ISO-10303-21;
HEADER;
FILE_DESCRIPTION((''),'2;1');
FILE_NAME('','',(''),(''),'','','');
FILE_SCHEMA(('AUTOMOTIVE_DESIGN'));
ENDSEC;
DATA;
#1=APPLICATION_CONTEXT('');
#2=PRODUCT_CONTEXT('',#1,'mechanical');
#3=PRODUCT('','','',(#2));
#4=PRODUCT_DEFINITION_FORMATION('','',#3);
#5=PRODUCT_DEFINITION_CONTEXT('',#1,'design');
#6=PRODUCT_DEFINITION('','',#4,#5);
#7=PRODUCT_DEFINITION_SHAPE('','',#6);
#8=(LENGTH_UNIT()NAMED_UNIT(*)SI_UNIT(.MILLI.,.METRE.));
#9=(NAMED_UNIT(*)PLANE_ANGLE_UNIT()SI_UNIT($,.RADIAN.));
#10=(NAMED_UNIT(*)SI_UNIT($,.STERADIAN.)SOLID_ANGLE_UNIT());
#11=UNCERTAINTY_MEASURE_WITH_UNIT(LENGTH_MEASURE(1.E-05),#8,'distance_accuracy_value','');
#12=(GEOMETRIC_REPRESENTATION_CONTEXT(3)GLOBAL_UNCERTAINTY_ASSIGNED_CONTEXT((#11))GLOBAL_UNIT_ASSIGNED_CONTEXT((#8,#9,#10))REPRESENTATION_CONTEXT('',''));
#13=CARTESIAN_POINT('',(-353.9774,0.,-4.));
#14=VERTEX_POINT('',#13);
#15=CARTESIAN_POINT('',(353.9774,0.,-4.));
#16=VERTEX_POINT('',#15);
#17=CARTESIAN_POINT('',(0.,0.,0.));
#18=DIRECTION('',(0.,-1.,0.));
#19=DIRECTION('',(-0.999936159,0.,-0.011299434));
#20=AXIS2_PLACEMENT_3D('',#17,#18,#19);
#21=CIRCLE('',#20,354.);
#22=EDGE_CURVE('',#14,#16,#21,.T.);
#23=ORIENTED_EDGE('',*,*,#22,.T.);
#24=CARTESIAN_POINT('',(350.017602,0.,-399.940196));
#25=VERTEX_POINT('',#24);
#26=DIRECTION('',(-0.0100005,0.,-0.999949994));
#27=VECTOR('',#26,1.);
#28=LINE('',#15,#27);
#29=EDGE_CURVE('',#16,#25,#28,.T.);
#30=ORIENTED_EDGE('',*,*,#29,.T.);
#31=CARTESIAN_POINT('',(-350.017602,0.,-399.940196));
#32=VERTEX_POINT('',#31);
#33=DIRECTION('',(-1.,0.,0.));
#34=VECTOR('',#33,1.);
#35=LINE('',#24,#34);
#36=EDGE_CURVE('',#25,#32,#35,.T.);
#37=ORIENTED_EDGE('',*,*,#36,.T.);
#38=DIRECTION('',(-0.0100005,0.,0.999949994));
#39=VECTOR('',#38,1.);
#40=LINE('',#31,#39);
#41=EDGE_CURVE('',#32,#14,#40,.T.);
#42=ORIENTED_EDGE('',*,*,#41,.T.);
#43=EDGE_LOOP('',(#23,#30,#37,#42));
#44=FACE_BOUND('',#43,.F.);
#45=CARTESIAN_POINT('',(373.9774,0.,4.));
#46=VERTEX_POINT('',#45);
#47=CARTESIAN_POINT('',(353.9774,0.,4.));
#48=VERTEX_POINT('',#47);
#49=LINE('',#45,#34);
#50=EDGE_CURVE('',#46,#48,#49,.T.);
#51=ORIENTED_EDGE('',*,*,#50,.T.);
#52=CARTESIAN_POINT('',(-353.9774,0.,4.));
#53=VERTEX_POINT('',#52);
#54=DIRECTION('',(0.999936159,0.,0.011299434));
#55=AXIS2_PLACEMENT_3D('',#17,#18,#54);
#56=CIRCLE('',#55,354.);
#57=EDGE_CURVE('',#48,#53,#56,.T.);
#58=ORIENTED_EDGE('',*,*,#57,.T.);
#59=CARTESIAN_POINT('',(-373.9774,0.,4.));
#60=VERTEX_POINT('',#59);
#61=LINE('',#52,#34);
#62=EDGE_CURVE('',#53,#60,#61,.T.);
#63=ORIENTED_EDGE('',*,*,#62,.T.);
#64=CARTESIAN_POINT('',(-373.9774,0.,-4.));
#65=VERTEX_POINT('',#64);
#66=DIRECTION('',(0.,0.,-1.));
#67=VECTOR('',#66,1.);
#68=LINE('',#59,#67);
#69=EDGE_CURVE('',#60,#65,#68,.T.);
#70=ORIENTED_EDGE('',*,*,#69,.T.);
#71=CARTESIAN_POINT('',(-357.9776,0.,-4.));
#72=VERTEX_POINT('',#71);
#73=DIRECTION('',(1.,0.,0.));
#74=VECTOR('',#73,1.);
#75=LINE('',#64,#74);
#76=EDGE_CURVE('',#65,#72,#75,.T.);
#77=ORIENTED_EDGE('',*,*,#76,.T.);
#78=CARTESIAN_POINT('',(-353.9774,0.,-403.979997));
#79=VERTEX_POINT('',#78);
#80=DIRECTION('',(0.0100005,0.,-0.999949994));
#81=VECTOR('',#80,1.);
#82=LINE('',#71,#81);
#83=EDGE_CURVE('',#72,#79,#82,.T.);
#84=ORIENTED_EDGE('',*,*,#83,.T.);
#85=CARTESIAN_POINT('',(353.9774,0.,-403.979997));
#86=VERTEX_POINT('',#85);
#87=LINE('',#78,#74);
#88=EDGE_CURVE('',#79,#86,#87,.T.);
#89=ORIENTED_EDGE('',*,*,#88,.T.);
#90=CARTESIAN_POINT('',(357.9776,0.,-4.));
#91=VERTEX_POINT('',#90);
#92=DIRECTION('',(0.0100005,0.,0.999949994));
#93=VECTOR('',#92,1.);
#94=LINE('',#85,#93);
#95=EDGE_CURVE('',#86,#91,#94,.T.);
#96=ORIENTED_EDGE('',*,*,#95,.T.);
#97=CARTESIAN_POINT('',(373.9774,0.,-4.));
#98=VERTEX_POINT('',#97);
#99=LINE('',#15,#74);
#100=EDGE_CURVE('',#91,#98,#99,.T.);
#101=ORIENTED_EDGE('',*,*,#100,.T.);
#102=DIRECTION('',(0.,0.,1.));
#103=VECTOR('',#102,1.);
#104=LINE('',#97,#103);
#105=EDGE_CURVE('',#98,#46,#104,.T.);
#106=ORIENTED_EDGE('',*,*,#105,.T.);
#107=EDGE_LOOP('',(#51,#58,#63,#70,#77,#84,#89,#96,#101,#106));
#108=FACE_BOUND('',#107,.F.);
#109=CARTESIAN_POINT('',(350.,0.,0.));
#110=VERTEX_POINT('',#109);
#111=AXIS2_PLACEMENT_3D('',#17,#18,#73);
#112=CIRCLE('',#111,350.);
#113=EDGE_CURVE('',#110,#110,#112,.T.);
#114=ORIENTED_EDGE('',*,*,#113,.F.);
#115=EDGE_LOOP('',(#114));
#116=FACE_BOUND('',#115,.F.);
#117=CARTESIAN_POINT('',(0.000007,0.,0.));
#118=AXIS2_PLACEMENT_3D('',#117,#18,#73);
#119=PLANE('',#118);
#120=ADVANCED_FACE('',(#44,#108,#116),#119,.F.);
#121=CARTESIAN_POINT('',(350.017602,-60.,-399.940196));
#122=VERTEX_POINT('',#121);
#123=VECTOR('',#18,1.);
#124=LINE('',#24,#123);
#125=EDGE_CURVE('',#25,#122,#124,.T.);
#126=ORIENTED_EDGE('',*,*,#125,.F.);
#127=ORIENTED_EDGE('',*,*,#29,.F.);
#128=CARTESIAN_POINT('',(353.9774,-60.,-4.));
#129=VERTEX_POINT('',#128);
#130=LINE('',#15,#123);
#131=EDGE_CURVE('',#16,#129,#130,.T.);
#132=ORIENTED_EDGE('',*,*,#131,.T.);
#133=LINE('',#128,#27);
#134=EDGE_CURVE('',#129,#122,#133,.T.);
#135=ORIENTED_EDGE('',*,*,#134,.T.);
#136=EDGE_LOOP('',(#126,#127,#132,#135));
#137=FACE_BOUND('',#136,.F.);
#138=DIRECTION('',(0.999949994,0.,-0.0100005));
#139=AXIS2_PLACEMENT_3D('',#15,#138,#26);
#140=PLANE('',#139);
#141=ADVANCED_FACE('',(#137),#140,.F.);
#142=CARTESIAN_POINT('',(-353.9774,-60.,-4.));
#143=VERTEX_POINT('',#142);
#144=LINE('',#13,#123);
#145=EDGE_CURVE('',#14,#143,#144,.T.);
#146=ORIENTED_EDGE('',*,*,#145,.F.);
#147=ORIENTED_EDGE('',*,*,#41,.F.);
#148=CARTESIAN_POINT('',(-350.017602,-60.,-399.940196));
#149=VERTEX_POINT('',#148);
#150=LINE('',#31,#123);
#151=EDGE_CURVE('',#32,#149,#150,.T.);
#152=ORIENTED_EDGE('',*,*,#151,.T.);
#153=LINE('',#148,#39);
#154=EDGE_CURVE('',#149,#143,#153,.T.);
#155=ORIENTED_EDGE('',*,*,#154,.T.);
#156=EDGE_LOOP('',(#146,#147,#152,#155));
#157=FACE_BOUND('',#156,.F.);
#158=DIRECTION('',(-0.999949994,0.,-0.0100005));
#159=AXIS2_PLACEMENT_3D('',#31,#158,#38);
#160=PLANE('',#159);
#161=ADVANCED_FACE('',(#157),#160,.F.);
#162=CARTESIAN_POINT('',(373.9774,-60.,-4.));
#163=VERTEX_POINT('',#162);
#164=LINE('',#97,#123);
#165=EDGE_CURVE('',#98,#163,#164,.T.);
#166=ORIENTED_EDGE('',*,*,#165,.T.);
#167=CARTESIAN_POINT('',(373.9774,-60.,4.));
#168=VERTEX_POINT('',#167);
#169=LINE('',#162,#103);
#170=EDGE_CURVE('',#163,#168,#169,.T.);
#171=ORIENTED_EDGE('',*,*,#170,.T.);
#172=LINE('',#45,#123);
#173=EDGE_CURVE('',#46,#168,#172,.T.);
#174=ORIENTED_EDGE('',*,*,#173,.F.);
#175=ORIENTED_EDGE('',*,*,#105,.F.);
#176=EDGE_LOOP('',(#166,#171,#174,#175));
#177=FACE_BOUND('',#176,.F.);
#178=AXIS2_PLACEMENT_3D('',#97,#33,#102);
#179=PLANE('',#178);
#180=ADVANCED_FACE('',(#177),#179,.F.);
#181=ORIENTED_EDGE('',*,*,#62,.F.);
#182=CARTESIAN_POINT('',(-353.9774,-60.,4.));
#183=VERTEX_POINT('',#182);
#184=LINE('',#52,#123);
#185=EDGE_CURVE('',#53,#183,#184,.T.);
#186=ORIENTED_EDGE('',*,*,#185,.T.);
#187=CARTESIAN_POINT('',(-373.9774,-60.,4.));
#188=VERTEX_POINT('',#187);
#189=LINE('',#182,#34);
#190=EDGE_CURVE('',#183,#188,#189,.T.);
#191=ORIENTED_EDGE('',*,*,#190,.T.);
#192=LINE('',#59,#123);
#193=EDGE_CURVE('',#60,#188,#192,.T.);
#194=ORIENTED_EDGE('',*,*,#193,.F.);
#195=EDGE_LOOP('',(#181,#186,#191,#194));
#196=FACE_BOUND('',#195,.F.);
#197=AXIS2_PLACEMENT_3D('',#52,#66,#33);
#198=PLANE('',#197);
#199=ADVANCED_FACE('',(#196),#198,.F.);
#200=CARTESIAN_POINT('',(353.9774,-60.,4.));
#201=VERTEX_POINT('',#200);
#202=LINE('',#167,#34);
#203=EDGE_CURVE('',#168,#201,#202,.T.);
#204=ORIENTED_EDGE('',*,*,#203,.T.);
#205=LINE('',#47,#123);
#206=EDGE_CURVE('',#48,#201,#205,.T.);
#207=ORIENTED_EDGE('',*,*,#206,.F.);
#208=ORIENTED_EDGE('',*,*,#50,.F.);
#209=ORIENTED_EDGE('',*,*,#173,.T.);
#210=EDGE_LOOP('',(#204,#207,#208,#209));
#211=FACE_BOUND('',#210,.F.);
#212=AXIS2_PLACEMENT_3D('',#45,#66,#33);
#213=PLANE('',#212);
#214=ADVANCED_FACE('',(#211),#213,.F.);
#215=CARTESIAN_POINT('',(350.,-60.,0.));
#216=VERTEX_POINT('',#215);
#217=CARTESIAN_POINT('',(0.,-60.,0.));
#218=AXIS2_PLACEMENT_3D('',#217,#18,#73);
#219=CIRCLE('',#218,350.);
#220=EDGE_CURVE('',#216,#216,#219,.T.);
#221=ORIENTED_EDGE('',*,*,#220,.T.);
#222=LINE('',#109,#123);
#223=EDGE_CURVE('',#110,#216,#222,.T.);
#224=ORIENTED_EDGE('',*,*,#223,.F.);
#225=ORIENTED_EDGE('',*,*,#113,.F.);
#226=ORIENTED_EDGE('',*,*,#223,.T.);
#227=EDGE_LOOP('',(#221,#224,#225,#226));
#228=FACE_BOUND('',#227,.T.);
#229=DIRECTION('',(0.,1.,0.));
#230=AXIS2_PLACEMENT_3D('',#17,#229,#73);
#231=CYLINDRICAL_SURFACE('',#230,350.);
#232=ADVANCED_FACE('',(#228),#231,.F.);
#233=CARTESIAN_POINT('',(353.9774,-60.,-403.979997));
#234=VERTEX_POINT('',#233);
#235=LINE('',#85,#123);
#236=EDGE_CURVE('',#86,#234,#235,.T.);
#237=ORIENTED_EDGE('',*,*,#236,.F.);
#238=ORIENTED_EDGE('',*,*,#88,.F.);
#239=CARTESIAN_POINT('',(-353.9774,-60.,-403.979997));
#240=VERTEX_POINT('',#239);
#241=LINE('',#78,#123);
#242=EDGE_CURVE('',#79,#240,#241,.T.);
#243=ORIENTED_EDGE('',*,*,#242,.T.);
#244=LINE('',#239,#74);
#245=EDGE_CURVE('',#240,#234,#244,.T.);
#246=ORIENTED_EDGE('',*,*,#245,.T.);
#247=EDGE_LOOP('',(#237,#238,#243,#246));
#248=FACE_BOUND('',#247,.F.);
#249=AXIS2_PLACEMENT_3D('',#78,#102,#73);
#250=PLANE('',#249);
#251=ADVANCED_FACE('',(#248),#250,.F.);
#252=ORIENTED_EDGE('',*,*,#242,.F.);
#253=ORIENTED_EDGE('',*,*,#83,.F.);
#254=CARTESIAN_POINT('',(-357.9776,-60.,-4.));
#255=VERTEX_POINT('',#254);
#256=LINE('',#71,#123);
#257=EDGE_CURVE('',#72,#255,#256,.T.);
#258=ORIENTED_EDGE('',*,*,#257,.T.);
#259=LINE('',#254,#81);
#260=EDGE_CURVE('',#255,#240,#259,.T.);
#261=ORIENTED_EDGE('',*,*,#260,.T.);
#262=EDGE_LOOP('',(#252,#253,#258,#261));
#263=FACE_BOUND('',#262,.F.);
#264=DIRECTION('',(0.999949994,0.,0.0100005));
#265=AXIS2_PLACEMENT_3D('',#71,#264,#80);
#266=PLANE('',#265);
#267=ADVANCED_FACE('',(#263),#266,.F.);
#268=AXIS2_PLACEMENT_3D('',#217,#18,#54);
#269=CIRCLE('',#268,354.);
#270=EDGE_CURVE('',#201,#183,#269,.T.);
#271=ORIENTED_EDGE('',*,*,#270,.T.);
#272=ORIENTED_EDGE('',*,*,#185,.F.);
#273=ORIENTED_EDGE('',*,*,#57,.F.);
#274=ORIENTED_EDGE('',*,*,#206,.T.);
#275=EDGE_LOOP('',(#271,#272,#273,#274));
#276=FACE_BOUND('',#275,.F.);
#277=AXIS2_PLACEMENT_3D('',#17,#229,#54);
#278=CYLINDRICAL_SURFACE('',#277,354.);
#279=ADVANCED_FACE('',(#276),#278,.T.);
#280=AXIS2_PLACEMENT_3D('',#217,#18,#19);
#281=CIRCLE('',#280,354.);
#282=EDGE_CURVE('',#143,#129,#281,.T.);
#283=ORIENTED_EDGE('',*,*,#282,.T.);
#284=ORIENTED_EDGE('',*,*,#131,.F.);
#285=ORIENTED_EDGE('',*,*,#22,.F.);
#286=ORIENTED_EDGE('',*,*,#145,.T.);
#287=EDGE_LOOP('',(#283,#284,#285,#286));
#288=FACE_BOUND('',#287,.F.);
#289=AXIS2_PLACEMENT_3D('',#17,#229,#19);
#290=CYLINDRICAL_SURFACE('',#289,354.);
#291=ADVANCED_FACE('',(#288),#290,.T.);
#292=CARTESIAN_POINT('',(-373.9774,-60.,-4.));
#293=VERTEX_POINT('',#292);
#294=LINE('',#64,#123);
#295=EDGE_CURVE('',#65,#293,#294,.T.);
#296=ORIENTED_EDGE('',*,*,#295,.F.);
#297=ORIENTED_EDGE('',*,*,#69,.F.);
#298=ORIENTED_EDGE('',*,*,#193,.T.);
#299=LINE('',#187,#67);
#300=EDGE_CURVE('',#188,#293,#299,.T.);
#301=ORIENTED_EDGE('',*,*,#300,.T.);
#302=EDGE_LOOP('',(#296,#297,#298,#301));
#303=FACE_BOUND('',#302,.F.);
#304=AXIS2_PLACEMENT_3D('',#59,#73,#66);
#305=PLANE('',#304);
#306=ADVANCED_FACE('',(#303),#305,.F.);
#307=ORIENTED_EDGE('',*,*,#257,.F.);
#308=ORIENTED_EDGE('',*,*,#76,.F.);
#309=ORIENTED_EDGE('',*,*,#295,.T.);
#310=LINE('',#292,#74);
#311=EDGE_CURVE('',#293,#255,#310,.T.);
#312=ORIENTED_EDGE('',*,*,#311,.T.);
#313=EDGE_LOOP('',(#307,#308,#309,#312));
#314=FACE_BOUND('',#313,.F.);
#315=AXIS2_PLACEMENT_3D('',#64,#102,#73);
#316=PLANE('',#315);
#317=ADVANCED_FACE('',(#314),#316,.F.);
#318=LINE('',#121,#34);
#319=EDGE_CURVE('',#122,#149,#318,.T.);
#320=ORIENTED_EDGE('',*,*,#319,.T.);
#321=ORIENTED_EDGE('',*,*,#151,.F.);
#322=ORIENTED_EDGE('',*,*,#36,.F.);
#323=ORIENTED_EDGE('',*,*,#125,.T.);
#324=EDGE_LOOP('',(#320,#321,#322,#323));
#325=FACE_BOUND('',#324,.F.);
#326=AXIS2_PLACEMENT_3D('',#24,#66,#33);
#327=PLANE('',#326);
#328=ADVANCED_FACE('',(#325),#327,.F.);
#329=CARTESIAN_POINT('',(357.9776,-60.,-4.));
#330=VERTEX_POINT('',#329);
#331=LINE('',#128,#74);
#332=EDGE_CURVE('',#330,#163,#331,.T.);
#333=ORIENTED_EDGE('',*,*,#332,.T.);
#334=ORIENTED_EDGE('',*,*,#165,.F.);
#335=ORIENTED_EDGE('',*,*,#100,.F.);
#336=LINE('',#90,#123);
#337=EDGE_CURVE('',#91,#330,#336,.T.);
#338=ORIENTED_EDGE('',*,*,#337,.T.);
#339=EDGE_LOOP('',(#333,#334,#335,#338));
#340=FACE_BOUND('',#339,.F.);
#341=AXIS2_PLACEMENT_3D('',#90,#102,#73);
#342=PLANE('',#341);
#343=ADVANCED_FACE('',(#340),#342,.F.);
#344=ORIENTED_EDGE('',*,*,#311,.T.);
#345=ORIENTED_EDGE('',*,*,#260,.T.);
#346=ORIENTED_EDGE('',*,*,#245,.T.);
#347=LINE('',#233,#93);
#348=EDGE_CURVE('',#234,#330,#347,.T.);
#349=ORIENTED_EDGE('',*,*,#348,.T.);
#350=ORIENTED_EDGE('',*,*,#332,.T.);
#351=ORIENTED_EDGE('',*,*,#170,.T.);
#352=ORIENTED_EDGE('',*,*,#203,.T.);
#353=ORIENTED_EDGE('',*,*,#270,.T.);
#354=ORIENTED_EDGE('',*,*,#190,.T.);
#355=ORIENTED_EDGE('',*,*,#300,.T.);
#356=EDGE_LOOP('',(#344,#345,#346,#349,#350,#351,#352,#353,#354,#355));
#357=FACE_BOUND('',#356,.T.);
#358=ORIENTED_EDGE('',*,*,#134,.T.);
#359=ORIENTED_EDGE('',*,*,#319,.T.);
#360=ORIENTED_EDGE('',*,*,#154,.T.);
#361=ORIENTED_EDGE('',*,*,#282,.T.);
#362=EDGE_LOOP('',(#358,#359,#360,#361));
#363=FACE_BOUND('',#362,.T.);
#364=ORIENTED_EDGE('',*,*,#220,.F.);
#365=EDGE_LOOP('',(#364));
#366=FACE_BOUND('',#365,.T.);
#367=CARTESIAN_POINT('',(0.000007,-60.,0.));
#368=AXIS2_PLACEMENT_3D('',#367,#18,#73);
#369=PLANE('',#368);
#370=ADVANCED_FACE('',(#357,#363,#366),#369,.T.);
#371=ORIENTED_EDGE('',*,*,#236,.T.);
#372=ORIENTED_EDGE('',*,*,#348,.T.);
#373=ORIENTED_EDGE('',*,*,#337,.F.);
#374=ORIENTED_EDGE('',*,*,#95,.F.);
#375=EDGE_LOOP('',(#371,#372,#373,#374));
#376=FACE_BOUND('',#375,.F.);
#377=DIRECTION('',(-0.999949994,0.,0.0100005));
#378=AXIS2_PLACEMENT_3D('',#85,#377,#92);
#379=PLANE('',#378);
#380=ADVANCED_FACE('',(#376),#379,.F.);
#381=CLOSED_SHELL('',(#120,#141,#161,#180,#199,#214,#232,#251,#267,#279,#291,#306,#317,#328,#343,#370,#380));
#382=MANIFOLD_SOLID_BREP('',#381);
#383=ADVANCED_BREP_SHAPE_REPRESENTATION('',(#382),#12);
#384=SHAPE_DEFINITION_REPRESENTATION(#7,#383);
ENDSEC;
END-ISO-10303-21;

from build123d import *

# Parameters (mm, degrees)
F0_R     = 350
F1_DEPTH = 60


with BuildPart() as f1:
    # F0 (on Front) → F1 (new body)
    with BuildSketch(Plane.XZ):
        with BuildLine():
            ThreePointArc((353.9774, -4), (353.99435, -2.000032), (354, 0))
            ThreePointArc((354, 0), (353.99435, 2.000032), (353.9774, 4))
            ThreePointArc((353.9774, 4), (0, 354), (-353.9774, 4))
            ThreePointArc((-353.9774, 4), (-354, 0), (-353.9774, -4))
            ThreePointArc((-353.9774, -4), (0, -354), (353.9774, -4))
        make_face()
        Circle(F0_R, mode=Mode.SUBTRACT)
        with BuildLine():
            ThreePointArc((353.9774, 4), (353.99435, 2.000032), (354, 0))
            ThreePointArc((354, 0), (353.99435, -2.000032), (353.9774, -4))
            Line((353.9774, -4), (357.9776, -4))
            Line((357.9776, -4), (373.9774, -4))
            Line((373.9774, -4), (373.9774, 0))
            Line((373.9774, 0), (373.9774, 4))
            Line((373.9774, 4), (353.9774, 4))
        make_face()
        Polygon((357.9776, -4), (353.9774, -4), (350.017602, -399.940196), (-350.017602, -399.940196), (-353.9774, -4), (-357.9776, -4), (-353.9774, -403.979997), (353.9774, -403.979997), align=None)
        with BuildLine():
            ThreePointArc((-353.9774, -4), (-354, 0), (-353.9774, 4))
            Line((-353.9774, 4), (-373.9774, 4))
            Line((-373.9774, 4), (-373.9774, 0))
            Line((-373.9774, 0), (-373.9774, -4))
            Line((-373.9774, -4), (-357.9776, -4))
            Line((-357.9776, -4), (-353.9774, -4))
        make_face()
    extrude(amount=F1_DEPTH)


solid = f1.part
